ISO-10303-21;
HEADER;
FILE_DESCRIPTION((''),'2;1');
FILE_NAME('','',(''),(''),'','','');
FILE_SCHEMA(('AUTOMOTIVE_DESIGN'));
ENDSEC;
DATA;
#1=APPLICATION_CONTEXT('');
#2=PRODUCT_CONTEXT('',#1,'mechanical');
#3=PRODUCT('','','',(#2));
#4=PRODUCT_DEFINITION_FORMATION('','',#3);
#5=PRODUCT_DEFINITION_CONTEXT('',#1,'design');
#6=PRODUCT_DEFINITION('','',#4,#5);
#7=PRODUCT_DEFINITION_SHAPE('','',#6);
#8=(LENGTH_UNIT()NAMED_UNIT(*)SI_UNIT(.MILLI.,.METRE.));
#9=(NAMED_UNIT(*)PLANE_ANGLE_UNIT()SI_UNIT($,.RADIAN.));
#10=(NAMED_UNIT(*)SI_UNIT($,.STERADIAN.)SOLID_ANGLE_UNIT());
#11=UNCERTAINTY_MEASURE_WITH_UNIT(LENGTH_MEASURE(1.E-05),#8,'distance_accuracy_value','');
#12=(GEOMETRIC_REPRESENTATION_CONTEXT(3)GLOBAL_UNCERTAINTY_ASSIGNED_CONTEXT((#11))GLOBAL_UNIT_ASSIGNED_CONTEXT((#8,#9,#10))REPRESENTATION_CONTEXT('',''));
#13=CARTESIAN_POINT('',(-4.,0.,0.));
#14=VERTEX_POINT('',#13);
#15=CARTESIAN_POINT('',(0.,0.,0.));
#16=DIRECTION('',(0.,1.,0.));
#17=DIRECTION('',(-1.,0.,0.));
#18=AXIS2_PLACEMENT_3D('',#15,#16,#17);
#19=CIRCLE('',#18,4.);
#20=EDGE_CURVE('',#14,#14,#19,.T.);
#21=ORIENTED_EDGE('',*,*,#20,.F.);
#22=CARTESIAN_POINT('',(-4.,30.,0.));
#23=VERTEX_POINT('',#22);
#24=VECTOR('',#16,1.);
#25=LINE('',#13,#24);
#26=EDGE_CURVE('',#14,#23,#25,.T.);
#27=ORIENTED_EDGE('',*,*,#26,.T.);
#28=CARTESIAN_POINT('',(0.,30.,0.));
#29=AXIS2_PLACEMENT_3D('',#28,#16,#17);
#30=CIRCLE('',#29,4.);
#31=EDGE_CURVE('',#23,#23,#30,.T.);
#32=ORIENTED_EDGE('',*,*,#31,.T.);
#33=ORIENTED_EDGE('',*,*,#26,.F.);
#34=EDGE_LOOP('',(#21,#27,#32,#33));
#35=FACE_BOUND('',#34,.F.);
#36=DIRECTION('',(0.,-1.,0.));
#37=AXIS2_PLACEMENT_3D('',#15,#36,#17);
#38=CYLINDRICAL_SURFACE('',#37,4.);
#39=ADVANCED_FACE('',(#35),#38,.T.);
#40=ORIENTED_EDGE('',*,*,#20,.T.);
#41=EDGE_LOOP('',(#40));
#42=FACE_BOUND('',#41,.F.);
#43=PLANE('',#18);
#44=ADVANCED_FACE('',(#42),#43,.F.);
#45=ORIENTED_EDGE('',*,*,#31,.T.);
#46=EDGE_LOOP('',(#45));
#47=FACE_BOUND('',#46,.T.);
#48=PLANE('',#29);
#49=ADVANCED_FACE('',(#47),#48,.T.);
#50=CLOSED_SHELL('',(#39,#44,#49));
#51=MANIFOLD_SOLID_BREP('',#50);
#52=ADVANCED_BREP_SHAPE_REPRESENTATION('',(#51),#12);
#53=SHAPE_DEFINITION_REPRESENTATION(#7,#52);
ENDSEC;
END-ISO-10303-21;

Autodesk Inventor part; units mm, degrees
ref_plane "YZ Plane" through (0, 0, 0) normal (1, 0, 0) x (0, 1, 0)
ref_plane "XZ Plane" through (0, 0, 0) normal (0, 1, 0) x (-1, 0, 0)
ref_plane "XY Plane" through (0, 0, 0) normal (0, 0, 1) x (1, 0, 0)
sketch "Sketch1" plane through (0, 0, 0) normal (0, 1, 0) x (-1, 0, 0)
  circle A0 centre (0, 0) radius 4
  dimension "d0" = 8
extrude "Extrusion1" add sketch "Sketch1" along normal blind 30
properties part number "bridge_inner_s1"
